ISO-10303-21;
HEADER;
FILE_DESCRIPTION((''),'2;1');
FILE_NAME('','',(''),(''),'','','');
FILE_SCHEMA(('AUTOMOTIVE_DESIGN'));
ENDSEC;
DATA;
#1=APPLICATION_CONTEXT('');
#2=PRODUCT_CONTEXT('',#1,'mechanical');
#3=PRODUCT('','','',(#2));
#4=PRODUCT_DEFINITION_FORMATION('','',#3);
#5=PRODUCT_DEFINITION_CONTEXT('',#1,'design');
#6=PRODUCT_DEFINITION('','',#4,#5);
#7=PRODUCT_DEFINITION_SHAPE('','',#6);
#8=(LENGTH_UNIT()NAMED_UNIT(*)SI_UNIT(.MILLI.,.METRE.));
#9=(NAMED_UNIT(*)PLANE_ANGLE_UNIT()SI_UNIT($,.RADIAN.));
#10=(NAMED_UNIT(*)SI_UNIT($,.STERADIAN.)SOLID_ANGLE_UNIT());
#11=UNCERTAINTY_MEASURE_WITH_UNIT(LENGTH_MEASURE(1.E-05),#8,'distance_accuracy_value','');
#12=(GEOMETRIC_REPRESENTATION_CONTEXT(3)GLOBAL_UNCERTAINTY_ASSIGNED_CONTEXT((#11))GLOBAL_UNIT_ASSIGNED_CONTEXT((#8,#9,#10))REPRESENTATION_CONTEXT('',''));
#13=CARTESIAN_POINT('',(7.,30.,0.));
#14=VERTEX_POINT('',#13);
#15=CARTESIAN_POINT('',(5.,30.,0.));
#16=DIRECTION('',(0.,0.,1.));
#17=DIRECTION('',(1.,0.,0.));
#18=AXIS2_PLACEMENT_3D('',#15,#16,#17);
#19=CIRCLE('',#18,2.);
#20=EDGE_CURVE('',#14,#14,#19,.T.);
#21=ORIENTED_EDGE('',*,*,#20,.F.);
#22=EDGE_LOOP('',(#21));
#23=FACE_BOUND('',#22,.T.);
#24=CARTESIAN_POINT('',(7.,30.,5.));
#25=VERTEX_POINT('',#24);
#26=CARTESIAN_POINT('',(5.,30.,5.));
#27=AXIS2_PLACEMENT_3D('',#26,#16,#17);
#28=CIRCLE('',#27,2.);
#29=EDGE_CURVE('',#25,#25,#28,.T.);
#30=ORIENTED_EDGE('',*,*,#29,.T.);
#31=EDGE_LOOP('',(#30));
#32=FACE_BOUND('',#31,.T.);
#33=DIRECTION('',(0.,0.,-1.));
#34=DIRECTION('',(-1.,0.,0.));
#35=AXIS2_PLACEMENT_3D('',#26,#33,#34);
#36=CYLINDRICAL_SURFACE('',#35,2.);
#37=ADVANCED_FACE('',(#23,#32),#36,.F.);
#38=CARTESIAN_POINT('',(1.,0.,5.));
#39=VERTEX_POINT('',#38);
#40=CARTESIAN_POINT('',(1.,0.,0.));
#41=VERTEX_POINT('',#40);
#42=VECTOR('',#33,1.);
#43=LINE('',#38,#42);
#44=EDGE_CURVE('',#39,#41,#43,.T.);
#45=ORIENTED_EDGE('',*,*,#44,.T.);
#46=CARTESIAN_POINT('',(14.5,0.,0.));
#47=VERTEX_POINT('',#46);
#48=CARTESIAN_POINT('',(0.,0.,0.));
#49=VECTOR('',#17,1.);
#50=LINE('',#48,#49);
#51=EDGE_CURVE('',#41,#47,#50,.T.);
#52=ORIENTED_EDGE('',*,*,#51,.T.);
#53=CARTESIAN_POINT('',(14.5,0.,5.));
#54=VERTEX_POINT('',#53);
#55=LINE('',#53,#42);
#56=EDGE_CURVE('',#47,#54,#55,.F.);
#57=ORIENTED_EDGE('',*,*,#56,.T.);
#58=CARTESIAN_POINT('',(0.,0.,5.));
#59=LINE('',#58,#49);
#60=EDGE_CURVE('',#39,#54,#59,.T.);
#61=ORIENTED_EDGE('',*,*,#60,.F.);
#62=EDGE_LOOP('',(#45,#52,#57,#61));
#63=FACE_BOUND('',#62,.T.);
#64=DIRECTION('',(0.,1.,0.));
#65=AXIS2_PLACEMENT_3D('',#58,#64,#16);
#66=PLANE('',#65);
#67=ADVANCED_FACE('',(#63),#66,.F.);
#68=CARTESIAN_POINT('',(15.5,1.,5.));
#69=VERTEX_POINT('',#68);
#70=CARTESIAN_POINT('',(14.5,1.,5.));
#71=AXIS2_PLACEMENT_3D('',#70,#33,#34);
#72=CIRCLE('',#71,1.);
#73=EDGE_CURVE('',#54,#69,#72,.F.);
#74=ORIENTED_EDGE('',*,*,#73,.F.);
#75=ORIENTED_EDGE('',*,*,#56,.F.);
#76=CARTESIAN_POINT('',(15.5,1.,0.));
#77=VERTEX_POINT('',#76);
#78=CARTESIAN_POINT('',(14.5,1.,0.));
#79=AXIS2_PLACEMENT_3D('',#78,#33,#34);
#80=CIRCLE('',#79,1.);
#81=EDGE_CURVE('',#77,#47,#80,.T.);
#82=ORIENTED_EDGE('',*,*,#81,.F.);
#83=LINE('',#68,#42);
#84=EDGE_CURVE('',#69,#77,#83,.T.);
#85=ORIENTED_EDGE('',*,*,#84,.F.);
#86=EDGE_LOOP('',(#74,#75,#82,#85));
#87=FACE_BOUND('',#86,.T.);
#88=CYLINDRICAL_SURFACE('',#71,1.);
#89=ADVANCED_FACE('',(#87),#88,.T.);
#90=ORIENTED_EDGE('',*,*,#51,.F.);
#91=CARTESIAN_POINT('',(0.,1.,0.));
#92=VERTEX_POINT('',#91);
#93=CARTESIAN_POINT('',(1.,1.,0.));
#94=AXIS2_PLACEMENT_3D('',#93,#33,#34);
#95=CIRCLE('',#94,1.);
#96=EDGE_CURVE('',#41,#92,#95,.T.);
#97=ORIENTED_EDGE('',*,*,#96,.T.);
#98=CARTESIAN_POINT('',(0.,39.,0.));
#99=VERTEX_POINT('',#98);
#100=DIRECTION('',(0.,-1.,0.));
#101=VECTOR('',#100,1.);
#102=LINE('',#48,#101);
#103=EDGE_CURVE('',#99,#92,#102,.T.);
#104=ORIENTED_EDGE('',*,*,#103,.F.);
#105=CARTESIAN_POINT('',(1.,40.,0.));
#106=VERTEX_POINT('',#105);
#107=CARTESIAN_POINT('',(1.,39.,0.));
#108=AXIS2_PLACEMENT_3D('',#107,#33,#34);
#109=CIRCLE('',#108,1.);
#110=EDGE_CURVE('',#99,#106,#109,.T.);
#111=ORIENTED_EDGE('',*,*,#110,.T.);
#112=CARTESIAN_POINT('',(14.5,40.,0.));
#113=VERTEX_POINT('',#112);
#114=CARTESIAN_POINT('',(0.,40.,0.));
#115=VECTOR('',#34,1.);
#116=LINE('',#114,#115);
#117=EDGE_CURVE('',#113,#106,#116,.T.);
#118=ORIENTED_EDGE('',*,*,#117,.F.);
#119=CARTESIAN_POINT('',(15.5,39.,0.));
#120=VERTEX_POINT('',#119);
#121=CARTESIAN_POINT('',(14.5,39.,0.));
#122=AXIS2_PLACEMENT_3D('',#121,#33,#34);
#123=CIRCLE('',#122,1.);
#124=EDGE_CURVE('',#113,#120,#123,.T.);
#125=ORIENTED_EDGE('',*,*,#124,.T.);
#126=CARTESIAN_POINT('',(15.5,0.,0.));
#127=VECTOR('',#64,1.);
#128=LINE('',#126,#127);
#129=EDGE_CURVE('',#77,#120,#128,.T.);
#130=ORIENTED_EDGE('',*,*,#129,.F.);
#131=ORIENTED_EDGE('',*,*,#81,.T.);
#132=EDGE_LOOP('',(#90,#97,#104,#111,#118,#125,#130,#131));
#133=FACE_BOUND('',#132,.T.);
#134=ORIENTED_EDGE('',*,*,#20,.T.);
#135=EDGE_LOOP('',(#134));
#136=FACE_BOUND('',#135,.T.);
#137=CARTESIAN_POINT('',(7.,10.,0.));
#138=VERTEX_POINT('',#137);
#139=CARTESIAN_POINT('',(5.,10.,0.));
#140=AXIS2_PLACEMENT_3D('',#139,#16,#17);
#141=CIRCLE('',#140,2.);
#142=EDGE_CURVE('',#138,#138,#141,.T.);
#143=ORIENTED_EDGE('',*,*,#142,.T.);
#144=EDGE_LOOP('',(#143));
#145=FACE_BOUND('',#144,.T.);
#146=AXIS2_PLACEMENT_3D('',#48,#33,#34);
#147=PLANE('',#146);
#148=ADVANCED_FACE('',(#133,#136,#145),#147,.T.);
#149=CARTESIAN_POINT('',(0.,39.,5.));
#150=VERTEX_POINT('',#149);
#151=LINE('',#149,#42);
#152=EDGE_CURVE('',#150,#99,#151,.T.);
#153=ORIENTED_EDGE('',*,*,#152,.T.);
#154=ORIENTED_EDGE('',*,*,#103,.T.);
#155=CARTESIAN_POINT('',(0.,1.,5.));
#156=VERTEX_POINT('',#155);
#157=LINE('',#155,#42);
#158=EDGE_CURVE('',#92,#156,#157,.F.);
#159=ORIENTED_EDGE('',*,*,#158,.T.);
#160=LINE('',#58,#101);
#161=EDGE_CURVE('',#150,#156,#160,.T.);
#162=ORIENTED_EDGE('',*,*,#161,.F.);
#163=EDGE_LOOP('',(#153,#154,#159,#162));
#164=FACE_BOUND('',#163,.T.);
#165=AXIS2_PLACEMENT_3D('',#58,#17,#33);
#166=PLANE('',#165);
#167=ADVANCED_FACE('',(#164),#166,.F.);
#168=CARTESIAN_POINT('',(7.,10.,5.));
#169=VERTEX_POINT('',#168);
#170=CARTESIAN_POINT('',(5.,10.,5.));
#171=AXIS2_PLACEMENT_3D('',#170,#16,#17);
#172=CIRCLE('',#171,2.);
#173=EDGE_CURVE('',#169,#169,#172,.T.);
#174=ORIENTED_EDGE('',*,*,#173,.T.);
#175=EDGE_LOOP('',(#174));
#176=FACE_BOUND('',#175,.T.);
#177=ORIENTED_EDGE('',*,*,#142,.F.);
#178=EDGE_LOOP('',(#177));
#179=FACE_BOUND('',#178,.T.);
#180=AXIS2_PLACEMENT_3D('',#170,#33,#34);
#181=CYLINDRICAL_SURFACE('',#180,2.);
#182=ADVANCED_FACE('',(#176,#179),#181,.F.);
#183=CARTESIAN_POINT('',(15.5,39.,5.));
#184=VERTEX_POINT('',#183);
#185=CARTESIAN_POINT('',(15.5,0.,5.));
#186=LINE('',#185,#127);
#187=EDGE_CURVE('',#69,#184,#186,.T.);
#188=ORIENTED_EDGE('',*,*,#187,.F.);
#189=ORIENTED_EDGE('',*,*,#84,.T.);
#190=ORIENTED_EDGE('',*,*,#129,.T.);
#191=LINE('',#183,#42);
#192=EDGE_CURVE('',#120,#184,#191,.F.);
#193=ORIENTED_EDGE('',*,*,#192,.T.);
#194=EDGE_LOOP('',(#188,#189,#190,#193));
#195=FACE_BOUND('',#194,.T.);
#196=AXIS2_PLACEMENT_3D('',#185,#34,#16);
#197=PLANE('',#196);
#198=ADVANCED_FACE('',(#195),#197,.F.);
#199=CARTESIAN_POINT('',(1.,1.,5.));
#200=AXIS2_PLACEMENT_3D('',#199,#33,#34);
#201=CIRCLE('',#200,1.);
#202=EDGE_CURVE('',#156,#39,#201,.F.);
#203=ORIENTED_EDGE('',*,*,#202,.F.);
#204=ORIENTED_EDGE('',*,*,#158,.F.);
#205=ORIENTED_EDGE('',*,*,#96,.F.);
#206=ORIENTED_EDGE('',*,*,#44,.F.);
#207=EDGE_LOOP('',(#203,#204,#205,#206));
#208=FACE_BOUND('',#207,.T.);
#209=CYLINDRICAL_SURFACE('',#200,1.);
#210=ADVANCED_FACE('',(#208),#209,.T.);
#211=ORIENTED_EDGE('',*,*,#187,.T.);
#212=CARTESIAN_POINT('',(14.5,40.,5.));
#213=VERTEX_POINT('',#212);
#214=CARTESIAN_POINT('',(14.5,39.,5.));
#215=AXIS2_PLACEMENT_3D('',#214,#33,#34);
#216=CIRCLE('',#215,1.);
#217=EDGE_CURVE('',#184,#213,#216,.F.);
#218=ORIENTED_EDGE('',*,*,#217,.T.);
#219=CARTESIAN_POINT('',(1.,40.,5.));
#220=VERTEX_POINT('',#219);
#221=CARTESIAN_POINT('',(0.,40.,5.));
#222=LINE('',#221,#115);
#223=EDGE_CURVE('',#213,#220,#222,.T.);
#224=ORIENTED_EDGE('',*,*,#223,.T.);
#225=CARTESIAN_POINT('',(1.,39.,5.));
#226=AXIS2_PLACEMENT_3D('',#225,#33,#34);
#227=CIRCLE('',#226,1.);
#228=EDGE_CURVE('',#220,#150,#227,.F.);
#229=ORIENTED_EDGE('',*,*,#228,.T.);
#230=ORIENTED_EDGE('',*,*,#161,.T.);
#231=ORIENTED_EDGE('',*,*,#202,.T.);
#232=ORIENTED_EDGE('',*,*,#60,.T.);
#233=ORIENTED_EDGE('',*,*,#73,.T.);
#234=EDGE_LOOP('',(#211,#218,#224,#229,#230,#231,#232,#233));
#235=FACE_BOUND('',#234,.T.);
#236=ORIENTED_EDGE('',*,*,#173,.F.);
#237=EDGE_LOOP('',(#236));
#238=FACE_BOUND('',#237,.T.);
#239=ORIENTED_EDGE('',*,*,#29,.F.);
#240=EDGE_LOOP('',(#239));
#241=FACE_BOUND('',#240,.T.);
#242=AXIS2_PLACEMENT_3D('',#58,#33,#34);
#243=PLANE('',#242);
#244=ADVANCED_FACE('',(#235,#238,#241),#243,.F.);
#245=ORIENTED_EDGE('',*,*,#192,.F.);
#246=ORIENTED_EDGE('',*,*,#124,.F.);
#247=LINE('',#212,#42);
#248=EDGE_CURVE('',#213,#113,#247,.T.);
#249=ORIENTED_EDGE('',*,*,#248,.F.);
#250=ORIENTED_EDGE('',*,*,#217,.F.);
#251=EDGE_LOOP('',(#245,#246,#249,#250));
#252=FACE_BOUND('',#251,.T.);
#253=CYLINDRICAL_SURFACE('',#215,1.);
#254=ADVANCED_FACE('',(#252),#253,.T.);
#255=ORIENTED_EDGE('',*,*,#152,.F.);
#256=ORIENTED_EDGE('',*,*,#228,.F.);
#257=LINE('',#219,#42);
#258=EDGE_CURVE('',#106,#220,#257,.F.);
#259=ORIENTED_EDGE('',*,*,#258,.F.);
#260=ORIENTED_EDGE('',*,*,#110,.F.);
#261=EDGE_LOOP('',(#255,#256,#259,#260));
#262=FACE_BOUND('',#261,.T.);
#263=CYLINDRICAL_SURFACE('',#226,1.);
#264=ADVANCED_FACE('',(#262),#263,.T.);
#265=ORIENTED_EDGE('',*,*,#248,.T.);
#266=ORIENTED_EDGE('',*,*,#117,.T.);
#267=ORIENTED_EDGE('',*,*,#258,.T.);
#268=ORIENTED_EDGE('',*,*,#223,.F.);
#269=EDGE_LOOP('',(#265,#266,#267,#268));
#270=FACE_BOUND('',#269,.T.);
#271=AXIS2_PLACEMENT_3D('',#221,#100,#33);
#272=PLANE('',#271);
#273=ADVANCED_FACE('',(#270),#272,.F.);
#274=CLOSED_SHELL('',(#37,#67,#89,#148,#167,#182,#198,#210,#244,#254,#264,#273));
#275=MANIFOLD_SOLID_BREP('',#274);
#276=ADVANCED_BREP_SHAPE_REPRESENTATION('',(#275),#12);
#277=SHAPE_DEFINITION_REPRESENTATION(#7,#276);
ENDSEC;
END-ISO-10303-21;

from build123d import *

# Parameters (mm, degrees)
SKETCH1_W           = 15.5
SKETCH1_H           = 40
SKETCH1_R           = 2
BOSS_EXTRUDE1_DEPTH = 5
FILLET1_R           = 1


with BuildPart() as part:
    # Sketch1 → Boss-Extrude1 (new body)
    with BuildSketch(Plane.XY):
        with Locations((7.75, 20)):
            Rectangle(SKETCH1_W, SKETCH1_H)
        with Locations((5, 10)):
            Circle(SKETCH1_R, mode=Mode.SUBTRACT)
        with Locations((5, 30)):
            Circle(SKETCH1_R, mode=Mode.SUBTRACT)
    extrude(amount=BOSS_EXTRUDE1_DEPTH)

    # Fillet1
    fillet1_edges = [part.edges().sort_by_distance(p)[0] for p in [
        (0, 40, 2.5),
        (15.5, 40, 2.5),
        (15.5, 0, 2.5),
        (0, 0, 2.5),
    ]]
    fillet(fillet1_edges, radius=FILLET1_R)


solid = part.part
